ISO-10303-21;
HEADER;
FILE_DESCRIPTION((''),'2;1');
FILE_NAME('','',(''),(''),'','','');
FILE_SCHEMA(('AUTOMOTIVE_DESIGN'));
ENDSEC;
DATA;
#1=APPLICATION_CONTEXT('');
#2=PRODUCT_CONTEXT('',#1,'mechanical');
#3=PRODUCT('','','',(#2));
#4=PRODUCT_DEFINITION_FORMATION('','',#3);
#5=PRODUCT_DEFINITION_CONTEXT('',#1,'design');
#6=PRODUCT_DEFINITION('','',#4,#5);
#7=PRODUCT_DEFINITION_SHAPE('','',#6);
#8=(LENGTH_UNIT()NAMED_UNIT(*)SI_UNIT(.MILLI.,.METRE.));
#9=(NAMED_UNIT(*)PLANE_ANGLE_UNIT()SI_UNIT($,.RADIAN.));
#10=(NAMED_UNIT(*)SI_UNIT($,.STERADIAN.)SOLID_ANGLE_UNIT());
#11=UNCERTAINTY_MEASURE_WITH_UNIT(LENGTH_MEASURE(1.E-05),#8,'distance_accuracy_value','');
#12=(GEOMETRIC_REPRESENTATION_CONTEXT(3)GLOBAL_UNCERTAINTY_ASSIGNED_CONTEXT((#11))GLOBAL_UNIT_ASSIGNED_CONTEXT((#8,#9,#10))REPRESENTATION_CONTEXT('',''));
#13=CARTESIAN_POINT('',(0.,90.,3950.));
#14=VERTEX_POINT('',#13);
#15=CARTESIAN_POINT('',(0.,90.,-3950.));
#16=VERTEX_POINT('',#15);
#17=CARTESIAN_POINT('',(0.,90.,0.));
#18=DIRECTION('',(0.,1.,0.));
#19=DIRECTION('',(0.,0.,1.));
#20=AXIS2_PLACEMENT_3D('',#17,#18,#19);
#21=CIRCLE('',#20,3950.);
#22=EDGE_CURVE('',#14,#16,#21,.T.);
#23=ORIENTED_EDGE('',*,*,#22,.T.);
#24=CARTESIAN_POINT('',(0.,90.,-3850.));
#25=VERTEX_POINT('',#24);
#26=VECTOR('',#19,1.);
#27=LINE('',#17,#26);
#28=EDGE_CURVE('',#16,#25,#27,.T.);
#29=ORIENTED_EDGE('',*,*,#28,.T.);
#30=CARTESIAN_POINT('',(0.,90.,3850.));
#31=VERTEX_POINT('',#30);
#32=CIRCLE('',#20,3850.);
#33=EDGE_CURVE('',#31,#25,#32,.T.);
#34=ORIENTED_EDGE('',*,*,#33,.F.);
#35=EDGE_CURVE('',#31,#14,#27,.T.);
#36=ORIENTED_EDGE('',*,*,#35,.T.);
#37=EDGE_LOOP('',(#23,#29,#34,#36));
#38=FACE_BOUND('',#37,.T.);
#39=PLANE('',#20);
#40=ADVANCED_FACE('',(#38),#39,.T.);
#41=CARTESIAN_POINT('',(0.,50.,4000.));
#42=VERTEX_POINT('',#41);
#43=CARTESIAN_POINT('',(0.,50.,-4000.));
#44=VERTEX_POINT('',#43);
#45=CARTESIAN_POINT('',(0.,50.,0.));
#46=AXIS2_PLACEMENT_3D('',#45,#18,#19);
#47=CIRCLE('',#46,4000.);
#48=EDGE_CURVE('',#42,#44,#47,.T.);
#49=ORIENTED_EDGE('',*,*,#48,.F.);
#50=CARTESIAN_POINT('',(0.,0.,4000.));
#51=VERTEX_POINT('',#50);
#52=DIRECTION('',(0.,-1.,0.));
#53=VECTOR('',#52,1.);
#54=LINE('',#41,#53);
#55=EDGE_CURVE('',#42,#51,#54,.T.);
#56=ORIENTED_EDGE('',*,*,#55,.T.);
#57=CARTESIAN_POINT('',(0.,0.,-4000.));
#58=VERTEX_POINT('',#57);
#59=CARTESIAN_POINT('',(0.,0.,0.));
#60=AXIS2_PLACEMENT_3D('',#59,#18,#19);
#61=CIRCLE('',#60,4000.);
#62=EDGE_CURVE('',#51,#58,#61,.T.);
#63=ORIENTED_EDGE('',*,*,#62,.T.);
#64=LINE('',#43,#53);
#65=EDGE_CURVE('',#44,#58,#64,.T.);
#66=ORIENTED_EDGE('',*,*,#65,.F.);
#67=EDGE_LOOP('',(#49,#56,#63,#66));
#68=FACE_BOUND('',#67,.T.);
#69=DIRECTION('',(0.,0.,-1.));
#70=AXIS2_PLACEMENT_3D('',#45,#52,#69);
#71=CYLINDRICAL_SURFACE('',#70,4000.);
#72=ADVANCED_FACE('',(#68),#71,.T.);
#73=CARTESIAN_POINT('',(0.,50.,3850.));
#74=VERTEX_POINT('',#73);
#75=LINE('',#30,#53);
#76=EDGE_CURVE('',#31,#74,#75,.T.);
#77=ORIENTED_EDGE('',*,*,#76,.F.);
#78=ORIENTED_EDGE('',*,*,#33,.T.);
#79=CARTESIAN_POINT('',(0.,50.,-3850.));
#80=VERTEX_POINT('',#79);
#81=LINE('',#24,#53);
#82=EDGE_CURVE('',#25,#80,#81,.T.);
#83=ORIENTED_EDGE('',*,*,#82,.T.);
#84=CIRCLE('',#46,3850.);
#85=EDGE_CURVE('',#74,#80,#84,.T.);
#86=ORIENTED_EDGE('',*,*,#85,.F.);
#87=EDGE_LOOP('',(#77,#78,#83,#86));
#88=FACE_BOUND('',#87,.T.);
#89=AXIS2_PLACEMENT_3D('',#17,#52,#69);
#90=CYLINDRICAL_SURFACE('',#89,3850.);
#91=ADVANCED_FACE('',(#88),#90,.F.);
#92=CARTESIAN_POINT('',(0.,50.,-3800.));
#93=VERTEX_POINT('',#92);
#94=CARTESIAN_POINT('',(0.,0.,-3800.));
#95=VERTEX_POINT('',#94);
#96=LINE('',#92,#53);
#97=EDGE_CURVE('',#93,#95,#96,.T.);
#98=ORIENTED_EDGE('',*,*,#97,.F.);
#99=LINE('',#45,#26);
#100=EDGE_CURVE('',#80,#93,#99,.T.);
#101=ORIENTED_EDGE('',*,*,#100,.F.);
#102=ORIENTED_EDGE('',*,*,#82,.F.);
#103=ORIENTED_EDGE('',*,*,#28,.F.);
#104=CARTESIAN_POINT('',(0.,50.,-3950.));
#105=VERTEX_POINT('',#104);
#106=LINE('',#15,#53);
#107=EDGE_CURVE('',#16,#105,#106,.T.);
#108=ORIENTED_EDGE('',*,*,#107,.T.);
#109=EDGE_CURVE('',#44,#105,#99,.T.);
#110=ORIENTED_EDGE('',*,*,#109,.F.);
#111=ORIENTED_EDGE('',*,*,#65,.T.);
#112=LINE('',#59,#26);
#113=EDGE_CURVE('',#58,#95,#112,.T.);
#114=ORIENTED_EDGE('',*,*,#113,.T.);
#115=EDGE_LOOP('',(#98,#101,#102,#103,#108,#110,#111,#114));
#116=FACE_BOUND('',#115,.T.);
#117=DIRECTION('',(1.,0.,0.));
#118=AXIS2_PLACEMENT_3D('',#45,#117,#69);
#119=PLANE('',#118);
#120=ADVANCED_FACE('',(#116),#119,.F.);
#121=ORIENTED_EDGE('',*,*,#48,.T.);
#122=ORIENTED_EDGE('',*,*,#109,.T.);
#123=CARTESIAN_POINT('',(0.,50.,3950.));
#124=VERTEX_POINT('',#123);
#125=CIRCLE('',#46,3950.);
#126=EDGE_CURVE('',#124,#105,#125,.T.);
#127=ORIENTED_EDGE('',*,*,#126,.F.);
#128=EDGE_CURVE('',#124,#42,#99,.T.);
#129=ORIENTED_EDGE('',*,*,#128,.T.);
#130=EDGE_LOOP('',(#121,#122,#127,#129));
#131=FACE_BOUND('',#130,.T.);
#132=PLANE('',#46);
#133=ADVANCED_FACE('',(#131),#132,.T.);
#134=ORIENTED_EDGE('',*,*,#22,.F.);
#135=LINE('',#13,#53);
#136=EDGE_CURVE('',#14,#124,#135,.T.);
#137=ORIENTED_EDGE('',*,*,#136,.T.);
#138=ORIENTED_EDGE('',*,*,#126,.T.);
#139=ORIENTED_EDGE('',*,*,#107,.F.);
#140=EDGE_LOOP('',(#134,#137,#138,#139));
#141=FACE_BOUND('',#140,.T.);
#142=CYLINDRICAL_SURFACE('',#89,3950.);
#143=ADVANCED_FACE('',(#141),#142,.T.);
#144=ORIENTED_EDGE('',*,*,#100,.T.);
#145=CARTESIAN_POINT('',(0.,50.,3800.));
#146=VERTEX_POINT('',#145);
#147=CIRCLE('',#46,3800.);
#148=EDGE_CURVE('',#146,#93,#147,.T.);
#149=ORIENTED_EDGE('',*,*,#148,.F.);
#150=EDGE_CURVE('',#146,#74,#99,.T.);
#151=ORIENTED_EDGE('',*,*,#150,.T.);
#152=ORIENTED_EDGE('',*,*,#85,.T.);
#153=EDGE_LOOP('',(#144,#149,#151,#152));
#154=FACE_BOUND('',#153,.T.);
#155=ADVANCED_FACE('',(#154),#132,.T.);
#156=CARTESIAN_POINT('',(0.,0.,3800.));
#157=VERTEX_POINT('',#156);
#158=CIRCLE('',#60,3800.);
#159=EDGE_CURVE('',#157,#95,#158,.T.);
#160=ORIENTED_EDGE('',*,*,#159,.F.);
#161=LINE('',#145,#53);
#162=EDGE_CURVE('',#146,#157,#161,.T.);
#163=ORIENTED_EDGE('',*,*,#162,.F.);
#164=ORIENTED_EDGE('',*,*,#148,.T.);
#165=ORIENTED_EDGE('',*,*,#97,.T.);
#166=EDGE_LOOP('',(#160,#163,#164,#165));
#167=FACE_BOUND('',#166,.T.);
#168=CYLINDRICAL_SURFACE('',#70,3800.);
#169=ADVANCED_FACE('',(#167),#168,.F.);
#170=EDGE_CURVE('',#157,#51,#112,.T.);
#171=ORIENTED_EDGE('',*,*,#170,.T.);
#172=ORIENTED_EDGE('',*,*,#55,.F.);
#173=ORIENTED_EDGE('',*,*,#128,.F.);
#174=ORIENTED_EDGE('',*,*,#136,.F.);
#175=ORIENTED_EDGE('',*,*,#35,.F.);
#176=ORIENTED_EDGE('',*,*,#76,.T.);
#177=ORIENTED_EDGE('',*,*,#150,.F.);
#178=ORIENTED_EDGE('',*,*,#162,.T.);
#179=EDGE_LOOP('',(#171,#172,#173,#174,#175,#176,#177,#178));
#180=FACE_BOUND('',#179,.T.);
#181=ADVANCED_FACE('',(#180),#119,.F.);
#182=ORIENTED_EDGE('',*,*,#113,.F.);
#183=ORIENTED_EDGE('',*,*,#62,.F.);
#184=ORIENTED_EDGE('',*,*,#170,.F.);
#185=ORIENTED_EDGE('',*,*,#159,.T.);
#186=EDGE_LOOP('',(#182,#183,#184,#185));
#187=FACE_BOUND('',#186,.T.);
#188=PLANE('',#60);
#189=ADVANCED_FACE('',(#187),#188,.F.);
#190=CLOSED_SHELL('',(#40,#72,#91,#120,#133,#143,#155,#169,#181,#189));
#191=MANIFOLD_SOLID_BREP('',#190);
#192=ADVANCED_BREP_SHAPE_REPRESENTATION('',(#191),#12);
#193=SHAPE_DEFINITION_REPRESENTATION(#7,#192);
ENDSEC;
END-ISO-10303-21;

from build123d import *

# Parameters (mm, degrees)
BOSS_EXTRUDE1_DEPTH = 50
BOSS_EXTRUDE2_DEPTH = 40


with BuildPart() as part:
    # Sketch1 → Boss-Extrude1 (new body)
    with BuildSketch(Plane(origin=(0, 0, 0), x_dir=(1, 0, 0), z_dir=(0, 1, 0))):
        with BuildLine():
            ThreePointArc((4000, 0), (2828.427124746, 2828.427124746), (0, 4000))
            Line((0, 4000), (0, 3800))
            ThreePointArc((0, 3800), (2687.005768509, 2687.005768509), (3800, 0))
            ThreePointArc((3800, 0), (2687.005768509, -2687.005768509), (0, -3800))
            Line((0, -3800), (0, -4000))
            ThreePointArc((0, -4000), (2828.427124746, -2828.427124746), (4000, 0))
        make_face()
    extrude(amount=BOSS_EXTRUDE1_DEPTH)

    # Sketch2 → Boss-Extrude2 (add)
    with BuildSketch(Plane(origin=(0, 50, 0), x_dir=(1, 0, 0), z_dir=(0, 1, 0))):
        with BuildLine():
            ThreePointArc((3950, 0), (2793.071785687, 2793.071785687), (0, 3950))
            Line((0, 3950), (0, 3850))
            ThreePointArc((0, 3850), (2722.361107568, 2722.361107568), (3850, 0))
            ThreePointArc((3850, 0), (2722.361107568, -2722.361107568), (0, -3850))
            Line((0, -3850), (0, -3950))
            ThreePointArc((0, -3950), (2793.071785687, -2793.071785687), (3950, 0))
        make_face()
    extrude(amount=BOSS_EXTRUDE2_DEPTH)


solid = part.part
